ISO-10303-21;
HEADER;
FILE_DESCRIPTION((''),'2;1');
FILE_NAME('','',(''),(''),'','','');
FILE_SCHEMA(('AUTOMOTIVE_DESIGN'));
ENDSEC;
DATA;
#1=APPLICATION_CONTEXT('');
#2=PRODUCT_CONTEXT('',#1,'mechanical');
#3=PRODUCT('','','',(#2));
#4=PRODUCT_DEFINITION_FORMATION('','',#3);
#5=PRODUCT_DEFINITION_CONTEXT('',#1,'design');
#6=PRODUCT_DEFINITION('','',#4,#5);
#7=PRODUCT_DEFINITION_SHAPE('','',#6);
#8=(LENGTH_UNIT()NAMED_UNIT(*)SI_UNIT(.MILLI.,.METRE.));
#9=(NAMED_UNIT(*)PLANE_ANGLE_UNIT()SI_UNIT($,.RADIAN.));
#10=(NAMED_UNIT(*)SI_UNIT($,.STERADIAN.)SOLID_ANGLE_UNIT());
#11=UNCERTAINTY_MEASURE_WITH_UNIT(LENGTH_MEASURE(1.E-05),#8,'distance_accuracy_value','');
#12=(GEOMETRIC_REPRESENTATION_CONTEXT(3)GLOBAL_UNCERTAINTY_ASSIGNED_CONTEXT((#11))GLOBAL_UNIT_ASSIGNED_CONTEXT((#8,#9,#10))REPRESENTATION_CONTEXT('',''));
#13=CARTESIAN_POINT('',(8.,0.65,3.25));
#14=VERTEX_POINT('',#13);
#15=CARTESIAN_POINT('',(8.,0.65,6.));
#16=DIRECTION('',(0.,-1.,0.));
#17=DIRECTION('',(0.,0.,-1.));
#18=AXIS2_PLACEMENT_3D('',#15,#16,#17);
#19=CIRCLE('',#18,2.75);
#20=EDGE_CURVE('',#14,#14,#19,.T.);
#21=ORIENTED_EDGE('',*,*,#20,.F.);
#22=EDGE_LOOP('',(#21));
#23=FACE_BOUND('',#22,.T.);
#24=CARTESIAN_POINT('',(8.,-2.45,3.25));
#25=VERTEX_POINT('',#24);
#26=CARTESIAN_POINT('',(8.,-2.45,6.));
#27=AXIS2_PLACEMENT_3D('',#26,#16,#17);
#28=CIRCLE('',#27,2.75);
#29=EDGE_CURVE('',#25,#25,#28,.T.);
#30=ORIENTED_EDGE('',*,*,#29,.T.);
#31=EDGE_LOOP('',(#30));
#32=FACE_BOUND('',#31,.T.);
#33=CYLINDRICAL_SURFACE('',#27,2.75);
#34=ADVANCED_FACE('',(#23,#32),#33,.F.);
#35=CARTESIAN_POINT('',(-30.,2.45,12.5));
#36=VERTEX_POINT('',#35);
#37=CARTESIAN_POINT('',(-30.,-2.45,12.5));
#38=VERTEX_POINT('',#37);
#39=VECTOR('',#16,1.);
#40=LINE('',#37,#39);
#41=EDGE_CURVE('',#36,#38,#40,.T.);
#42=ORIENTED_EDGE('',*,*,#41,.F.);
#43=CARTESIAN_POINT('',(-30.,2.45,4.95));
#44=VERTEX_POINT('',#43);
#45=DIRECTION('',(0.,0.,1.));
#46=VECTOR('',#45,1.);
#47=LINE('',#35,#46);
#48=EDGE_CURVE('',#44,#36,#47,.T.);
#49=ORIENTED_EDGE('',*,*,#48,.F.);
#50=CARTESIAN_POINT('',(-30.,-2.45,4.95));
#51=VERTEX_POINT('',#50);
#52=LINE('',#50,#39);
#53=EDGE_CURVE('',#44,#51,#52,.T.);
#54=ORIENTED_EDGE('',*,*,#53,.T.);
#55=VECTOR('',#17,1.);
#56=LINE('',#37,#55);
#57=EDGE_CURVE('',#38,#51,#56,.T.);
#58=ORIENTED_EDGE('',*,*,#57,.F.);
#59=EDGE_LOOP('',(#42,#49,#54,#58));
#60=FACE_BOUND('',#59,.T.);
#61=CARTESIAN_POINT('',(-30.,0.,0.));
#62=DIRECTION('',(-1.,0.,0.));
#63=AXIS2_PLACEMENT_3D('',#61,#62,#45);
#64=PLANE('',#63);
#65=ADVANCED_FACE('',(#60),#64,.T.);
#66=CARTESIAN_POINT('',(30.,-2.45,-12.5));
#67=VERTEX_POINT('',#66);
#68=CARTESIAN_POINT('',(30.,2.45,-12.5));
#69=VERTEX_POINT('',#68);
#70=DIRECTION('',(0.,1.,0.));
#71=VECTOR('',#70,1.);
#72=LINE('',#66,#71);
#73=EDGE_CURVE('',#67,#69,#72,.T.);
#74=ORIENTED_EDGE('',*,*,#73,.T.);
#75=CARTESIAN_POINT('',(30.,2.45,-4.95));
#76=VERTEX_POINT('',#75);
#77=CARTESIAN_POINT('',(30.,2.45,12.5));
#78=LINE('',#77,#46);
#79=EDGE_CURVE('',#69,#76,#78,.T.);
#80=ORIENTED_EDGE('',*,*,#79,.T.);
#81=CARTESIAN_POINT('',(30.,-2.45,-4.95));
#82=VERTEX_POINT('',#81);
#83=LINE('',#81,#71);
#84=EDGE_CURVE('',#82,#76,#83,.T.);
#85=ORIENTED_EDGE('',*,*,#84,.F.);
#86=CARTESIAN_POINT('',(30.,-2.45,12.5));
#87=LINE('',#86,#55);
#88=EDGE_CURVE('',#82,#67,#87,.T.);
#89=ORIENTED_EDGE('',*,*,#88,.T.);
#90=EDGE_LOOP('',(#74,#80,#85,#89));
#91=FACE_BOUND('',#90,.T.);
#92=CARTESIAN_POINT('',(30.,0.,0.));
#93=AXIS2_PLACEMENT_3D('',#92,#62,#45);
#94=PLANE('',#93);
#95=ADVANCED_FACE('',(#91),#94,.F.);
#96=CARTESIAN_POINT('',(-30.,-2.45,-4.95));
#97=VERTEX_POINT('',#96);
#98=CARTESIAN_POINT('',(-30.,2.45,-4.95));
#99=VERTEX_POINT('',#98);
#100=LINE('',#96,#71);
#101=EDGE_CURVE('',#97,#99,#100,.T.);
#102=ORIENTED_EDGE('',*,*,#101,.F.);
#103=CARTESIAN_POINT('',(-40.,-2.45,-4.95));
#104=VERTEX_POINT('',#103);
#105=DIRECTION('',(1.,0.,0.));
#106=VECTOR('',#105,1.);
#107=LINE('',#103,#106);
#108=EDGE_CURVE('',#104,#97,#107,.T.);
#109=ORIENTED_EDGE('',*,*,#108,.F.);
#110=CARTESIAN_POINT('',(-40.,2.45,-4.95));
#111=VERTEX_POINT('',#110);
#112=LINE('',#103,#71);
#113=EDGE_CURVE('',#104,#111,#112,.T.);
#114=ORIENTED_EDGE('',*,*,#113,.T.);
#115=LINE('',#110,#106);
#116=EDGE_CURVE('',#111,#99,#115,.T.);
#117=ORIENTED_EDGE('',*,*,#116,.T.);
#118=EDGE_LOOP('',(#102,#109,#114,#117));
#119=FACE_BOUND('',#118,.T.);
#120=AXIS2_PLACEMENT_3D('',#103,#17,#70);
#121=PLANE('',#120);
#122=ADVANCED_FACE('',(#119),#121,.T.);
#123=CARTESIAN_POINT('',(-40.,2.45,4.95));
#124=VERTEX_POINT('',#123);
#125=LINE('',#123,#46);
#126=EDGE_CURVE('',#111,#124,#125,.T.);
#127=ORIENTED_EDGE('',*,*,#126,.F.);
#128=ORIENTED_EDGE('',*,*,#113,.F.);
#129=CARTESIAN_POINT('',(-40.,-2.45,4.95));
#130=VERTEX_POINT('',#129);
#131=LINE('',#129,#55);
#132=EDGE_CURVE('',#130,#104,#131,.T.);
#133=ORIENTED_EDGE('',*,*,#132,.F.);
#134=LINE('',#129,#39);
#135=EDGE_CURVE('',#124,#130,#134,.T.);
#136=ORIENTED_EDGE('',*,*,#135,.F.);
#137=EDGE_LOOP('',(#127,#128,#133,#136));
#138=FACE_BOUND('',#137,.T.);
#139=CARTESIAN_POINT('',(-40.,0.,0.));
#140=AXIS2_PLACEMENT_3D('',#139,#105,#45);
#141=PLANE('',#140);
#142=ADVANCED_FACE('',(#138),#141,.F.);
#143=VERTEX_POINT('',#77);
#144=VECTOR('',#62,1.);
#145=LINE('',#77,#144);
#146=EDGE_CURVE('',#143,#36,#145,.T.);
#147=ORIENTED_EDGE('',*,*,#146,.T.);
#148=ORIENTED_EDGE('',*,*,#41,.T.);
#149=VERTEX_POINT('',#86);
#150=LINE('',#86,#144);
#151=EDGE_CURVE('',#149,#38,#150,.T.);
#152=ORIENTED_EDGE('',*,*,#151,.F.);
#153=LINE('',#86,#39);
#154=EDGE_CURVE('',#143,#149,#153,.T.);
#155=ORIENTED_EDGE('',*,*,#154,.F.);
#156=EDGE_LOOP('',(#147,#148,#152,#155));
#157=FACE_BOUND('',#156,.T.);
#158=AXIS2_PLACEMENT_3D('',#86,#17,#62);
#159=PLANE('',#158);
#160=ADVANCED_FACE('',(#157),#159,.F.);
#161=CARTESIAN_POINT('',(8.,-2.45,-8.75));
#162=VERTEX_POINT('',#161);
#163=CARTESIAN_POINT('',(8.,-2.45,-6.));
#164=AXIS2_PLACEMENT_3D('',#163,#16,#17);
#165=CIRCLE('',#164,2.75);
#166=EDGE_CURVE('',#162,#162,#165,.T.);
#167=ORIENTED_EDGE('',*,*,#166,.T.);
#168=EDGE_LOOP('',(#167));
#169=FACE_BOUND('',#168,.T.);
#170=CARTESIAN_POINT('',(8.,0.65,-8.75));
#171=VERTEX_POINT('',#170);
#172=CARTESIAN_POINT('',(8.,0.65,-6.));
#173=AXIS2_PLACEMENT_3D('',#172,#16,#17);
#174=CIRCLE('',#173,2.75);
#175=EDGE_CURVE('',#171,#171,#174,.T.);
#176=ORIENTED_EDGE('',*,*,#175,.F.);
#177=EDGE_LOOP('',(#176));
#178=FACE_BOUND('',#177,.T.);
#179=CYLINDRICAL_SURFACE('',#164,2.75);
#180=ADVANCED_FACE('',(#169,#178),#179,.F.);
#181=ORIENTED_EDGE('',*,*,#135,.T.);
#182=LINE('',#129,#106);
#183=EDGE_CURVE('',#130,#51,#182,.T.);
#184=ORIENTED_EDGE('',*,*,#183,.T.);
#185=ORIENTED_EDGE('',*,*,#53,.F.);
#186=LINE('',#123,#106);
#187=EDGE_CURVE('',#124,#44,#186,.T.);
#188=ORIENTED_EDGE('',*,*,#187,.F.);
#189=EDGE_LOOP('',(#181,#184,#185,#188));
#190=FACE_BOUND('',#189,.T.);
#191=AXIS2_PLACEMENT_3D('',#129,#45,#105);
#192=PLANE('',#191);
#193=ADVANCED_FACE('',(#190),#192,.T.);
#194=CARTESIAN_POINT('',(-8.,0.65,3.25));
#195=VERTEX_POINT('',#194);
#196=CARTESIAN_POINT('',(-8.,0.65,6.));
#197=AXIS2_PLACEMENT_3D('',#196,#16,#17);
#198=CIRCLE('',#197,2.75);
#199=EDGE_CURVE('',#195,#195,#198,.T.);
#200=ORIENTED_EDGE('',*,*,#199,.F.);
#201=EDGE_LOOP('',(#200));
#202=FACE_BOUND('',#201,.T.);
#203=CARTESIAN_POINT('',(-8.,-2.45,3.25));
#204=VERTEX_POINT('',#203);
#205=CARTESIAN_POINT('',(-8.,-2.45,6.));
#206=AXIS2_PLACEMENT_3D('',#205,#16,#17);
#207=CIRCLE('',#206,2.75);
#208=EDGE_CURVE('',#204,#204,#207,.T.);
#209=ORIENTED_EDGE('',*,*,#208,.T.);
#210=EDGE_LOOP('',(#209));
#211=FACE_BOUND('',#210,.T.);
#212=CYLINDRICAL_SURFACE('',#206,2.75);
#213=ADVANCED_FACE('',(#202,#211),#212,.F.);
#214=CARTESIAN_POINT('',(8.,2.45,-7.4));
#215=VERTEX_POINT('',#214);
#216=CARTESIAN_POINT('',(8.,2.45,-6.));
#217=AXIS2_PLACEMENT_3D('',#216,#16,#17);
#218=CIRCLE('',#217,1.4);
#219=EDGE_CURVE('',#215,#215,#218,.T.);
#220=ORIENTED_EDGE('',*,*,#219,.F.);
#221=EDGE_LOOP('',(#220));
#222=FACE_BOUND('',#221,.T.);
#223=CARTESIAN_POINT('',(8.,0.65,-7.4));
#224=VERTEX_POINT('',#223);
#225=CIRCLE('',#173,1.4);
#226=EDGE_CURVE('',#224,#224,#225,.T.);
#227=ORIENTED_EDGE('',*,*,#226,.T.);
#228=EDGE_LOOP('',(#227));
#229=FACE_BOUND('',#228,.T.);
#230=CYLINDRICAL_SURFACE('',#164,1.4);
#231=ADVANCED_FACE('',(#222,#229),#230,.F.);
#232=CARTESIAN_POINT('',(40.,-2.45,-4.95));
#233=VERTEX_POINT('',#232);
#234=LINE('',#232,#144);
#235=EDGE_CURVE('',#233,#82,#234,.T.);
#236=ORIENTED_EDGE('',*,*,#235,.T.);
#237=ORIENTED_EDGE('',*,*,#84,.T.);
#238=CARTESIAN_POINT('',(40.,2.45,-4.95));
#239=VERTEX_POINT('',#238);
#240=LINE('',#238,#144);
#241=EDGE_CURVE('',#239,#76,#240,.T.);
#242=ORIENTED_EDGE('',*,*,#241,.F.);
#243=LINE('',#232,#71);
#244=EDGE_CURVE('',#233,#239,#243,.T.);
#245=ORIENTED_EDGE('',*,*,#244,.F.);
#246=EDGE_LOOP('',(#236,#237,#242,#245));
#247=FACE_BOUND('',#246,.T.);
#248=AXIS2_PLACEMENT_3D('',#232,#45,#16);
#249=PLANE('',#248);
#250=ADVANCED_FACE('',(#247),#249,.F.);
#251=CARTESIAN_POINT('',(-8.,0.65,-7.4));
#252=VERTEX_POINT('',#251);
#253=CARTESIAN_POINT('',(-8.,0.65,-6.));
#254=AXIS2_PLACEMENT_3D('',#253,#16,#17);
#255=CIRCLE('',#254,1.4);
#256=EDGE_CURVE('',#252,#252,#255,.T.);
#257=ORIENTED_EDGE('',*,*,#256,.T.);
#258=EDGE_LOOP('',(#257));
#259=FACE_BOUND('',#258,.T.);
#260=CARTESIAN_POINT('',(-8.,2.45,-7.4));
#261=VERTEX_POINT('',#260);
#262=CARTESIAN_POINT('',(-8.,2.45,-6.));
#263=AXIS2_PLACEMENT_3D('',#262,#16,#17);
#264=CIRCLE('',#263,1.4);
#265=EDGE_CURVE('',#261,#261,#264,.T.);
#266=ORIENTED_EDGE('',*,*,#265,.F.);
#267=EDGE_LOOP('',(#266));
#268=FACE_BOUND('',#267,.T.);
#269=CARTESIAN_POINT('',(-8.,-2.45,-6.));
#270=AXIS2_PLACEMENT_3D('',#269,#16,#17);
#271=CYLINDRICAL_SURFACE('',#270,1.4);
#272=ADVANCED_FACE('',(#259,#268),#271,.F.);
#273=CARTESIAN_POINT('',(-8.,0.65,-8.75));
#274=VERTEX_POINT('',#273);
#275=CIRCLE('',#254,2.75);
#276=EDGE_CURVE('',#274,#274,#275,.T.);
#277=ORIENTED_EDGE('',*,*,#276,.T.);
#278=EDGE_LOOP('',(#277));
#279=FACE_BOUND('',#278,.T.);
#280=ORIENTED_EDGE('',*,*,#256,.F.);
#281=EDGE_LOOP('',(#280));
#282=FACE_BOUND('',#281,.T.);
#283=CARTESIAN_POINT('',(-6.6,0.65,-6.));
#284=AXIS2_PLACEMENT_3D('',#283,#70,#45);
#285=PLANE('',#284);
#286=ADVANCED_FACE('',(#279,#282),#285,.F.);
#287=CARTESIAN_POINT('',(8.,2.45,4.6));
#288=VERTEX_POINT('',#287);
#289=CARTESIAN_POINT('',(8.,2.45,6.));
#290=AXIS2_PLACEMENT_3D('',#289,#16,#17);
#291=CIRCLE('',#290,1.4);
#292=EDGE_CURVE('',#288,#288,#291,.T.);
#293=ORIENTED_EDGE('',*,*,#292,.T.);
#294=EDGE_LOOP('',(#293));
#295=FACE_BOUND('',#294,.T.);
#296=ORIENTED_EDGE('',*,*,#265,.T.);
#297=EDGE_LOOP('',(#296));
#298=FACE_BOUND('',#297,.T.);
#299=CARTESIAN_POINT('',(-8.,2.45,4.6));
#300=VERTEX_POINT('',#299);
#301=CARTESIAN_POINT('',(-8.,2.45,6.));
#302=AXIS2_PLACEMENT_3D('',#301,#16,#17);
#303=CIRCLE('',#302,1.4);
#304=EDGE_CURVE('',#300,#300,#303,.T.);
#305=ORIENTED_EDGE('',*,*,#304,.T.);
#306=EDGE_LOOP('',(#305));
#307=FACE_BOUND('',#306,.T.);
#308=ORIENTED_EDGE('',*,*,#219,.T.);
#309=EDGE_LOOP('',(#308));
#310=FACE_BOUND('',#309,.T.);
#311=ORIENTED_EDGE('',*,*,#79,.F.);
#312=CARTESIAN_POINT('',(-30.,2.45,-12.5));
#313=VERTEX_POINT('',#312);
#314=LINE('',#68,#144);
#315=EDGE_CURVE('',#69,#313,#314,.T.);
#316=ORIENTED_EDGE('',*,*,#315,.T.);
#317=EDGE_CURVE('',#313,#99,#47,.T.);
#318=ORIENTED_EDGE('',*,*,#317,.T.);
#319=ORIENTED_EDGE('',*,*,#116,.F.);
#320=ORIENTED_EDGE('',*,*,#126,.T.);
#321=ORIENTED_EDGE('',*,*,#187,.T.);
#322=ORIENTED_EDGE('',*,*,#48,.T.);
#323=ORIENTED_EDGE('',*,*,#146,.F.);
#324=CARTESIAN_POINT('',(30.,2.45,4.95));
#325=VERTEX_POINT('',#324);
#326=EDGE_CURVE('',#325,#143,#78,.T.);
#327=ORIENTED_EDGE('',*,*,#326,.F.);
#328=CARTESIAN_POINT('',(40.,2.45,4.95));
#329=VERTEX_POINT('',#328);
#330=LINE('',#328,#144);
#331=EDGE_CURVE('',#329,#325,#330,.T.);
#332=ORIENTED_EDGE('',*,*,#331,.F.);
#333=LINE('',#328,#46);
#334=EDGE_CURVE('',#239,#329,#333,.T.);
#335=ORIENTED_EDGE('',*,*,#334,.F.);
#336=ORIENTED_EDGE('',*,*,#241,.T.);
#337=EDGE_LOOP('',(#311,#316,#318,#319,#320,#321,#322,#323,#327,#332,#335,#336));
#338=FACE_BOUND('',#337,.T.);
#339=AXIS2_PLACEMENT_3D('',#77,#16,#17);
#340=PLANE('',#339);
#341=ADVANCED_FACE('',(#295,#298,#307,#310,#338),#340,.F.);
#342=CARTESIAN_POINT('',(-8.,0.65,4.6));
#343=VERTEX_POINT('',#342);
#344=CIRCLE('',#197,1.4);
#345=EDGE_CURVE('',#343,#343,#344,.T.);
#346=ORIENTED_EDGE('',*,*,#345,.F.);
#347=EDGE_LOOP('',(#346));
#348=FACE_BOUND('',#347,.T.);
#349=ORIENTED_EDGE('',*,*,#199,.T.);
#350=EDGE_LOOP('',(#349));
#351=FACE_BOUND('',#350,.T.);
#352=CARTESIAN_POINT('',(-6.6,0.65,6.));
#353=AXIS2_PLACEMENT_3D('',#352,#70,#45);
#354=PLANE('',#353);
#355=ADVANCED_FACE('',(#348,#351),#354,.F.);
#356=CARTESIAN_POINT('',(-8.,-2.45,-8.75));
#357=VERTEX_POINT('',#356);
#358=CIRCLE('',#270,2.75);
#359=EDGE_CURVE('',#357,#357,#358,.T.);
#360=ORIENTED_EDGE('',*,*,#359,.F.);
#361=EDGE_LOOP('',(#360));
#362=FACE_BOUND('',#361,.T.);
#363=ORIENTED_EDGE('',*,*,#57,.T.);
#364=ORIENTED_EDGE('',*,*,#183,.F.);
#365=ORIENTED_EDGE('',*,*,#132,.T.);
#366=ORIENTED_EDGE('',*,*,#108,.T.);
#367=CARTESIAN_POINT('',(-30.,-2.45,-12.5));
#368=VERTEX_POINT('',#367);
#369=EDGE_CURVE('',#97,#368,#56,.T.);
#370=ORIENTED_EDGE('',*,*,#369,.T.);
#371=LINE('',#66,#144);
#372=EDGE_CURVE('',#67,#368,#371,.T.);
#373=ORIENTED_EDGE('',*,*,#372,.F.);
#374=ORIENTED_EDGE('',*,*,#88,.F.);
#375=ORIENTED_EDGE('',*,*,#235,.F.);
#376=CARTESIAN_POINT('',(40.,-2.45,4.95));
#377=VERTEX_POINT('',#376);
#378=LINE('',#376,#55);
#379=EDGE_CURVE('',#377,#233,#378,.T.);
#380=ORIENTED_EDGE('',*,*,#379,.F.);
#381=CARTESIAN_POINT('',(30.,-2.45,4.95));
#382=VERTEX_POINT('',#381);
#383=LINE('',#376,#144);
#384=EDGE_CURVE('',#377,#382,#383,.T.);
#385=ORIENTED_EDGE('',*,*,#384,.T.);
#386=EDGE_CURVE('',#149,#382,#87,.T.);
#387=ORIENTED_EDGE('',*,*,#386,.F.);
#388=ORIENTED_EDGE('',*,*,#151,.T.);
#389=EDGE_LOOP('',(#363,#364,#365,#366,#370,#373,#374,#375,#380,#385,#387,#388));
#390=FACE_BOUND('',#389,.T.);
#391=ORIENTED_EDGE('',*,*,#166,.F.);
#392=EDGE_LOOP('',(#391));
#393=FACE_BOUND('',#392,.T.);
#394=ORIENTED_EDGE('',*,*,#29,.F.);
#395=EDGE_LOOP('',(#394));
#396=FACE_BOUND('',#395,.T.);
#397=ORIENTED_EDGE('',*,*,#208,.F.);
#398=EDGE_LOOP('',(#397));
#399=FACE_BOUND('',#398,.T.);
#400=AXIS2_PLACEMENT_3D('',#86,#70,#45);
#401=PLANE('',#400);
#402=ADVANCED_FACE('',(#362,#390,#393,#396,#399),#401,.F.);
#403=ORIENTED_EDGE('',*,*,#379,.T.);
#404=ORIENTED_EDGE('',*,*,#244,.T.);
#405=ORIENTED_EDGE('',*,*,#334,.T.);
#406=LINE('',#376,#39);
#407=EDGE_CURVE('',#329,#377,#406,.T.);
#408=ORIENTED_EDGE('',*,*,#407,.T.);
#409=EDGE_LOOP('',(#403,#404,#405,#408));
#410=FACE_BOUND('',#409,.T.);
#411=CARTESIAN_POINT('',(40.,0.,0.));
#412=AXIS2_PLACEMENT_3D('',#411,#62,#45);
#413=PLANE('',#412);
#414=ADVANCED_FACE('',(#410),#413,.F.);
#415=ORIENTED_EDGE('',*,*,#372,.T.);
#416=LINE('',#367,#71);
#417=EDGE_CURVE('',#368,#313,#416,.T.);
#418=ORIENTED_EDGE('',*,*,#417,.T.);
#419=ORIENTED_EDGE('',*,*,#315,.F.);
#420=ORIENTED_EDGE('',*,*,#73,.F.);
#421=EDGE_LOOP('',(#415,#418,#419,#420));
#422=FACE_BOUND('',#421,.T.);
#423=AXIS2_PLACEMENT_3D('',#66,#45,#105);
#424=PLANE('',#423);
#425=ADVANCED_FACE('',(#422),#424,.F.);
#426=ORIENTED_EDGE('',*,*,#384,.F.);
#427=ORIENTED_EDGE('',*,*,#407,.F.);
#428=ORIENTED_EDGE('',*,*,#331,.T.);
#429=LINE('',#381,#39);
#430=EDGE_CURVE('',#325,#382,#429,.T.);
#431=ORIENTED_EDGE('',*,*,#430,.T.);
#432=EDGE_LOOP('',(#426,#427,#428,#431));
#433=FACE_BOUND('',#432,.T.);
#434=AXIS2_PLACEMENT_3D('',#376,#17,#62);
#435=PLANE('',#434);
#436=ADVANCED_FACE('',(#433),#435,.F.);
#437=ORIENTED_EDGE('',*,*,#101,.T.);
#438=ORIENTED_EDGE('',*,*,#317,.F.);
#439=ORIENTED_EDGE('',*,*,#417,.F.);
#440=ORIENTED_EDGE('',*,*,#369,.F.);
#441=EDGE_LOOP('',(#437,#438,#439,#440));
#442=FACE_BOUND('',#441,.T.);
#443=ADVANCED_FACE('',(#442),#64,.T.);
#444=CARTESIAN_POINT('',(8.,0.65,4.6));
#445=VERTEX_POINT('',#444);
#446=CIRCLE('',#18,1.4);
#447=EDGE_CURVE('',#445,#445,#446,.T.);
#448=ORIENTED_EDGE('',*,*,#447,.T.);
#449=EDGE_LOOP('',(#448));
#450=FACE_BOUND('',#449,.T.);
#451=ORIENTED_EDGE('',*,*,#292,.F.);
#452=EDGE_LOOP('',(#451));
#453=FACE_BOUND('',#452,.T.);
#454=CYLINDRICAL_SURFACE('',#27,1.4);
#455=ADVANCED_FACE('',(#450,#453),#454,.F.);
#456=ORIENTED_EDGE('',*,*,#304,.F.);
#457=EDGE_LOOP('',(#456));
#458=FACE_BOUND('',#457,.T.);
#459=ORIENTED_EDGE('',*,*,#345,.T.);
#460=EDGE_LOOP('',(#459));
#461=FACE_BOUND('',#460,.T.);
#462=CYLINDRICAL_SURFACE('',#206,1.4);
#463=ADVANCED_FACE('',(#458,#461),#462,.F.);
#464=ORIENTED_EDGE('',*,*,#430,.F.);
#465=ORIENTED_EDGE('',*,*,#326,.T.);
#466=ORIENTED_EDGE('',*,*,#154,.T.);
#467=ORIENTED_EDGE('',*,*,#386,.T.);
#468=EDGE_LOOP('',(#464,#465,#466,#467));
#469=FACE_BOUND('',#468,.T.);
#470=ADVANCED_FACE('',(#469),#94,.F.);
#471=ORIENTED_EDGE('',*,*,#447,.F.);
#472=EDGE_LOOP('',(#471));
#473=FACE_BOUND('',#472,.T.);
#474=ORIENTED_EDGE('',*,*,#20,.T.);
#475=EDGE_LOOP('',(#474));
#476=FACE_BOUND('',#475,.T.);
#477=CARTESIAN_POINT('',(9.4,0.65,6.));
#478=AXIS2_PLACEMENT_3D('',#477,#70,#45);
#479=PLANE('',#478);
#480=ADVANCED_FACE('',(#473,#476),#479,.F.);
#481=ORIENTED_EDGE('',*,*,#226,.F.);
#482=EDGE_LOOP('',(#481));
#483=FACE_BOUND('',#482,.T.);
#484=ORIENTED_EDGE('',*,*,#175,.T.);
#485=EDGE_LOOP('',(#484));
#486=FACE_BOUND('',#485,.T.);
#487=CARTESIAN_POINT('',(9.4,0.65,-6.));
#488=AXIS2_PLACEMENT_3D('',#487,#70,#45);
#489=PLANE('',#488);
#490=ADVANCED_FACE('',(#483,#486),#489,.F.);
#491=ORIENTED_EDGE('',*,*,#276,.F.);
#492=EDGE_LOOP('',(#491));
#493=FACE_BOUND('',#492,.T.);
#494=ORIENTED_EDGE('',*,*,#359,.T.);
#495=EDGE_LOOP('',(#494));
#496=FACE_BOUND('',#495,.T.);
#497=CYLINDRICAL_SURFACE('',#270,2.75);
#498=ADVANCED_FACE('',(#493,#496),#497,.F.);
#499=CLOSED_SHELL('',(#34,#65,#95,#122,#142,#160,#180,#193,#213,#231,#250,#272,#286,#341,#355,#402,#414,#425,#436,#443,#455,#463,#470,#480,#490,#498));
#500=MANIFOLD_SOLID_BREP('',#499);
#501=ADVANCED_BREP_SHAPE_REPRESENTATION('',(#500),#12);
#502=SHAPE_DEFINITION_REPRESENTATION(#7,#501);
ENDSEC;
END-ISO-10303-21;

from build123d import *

# Parameters (mm, degrees)
SKETCH1_W                       = 25
SKETCH1_H                       = 4.9
BOSS_EXTRUDE1_DEPTH             = 30
SKETCH2_W                       = 9.9
SKETCH2_H                       = 4.9
BOSS_EXTRUDE2_DEPTH             = 10
CBORE_FOR_M3_SBHCS2_D           = 2.8
CBORE_FOR_M3_SBHCS2_CBORE_D     = 5.5
CBORE_FOR_M3_SBHCS2_CBORE_DEPTH = 3.1


with BuildPart() as part:
    # Sketch1 → Boss-Extrude1 (new, symmetric)
    with BuildSketch(Plane(origin=(0, 0, 0), x_dir=(0, 0, -1), z_dir=(1, 0, 0))):
        Rectangle(SKETCH1_W, SKETCH1_H)
    extrude(amount=BOSS_EXTRUDE1_DEPTH, both=True)

    # Sketch2 → Boss-Extrude2 (add)
    with BuildSketch(Plane(origin=(30, 0, 0), x_dir=(0, 0, -1), z_dir=(1, 0, 0))):
        Rectangle(SKETCH2_W, SKETCH2_H)
    boss_extrude2 = extrude(amount=BOSS_EXTRUDE2_DEPTH)

    # Mirror1: Boss-Extrude2 across plane
    add(boss_extrude2.mirror(Plane(origin=(0, 0, 0), x_dir=(0, 0, 1), z_dir=(1, 0, 0))))

    # CBORE for M3 SBHCS2 (through all)
    with Locations(Plane(origin=(0, -2.45, 0), x_dir=(-1, 0, 0), z_dir=(0, -1, 0))):
        with Locations((-8, 6), (8, 6), (8, -6), (-8, -6)):
            CounterBoreHole(CBORE_FOR_M3_SBHCS2_D / 2, CBORE_FOR_M3_SBHCS2_CBORE_D / 2, CBORE_FOR_M3_SBHCS2_CBORE_DEPTH)


solid = part.part
